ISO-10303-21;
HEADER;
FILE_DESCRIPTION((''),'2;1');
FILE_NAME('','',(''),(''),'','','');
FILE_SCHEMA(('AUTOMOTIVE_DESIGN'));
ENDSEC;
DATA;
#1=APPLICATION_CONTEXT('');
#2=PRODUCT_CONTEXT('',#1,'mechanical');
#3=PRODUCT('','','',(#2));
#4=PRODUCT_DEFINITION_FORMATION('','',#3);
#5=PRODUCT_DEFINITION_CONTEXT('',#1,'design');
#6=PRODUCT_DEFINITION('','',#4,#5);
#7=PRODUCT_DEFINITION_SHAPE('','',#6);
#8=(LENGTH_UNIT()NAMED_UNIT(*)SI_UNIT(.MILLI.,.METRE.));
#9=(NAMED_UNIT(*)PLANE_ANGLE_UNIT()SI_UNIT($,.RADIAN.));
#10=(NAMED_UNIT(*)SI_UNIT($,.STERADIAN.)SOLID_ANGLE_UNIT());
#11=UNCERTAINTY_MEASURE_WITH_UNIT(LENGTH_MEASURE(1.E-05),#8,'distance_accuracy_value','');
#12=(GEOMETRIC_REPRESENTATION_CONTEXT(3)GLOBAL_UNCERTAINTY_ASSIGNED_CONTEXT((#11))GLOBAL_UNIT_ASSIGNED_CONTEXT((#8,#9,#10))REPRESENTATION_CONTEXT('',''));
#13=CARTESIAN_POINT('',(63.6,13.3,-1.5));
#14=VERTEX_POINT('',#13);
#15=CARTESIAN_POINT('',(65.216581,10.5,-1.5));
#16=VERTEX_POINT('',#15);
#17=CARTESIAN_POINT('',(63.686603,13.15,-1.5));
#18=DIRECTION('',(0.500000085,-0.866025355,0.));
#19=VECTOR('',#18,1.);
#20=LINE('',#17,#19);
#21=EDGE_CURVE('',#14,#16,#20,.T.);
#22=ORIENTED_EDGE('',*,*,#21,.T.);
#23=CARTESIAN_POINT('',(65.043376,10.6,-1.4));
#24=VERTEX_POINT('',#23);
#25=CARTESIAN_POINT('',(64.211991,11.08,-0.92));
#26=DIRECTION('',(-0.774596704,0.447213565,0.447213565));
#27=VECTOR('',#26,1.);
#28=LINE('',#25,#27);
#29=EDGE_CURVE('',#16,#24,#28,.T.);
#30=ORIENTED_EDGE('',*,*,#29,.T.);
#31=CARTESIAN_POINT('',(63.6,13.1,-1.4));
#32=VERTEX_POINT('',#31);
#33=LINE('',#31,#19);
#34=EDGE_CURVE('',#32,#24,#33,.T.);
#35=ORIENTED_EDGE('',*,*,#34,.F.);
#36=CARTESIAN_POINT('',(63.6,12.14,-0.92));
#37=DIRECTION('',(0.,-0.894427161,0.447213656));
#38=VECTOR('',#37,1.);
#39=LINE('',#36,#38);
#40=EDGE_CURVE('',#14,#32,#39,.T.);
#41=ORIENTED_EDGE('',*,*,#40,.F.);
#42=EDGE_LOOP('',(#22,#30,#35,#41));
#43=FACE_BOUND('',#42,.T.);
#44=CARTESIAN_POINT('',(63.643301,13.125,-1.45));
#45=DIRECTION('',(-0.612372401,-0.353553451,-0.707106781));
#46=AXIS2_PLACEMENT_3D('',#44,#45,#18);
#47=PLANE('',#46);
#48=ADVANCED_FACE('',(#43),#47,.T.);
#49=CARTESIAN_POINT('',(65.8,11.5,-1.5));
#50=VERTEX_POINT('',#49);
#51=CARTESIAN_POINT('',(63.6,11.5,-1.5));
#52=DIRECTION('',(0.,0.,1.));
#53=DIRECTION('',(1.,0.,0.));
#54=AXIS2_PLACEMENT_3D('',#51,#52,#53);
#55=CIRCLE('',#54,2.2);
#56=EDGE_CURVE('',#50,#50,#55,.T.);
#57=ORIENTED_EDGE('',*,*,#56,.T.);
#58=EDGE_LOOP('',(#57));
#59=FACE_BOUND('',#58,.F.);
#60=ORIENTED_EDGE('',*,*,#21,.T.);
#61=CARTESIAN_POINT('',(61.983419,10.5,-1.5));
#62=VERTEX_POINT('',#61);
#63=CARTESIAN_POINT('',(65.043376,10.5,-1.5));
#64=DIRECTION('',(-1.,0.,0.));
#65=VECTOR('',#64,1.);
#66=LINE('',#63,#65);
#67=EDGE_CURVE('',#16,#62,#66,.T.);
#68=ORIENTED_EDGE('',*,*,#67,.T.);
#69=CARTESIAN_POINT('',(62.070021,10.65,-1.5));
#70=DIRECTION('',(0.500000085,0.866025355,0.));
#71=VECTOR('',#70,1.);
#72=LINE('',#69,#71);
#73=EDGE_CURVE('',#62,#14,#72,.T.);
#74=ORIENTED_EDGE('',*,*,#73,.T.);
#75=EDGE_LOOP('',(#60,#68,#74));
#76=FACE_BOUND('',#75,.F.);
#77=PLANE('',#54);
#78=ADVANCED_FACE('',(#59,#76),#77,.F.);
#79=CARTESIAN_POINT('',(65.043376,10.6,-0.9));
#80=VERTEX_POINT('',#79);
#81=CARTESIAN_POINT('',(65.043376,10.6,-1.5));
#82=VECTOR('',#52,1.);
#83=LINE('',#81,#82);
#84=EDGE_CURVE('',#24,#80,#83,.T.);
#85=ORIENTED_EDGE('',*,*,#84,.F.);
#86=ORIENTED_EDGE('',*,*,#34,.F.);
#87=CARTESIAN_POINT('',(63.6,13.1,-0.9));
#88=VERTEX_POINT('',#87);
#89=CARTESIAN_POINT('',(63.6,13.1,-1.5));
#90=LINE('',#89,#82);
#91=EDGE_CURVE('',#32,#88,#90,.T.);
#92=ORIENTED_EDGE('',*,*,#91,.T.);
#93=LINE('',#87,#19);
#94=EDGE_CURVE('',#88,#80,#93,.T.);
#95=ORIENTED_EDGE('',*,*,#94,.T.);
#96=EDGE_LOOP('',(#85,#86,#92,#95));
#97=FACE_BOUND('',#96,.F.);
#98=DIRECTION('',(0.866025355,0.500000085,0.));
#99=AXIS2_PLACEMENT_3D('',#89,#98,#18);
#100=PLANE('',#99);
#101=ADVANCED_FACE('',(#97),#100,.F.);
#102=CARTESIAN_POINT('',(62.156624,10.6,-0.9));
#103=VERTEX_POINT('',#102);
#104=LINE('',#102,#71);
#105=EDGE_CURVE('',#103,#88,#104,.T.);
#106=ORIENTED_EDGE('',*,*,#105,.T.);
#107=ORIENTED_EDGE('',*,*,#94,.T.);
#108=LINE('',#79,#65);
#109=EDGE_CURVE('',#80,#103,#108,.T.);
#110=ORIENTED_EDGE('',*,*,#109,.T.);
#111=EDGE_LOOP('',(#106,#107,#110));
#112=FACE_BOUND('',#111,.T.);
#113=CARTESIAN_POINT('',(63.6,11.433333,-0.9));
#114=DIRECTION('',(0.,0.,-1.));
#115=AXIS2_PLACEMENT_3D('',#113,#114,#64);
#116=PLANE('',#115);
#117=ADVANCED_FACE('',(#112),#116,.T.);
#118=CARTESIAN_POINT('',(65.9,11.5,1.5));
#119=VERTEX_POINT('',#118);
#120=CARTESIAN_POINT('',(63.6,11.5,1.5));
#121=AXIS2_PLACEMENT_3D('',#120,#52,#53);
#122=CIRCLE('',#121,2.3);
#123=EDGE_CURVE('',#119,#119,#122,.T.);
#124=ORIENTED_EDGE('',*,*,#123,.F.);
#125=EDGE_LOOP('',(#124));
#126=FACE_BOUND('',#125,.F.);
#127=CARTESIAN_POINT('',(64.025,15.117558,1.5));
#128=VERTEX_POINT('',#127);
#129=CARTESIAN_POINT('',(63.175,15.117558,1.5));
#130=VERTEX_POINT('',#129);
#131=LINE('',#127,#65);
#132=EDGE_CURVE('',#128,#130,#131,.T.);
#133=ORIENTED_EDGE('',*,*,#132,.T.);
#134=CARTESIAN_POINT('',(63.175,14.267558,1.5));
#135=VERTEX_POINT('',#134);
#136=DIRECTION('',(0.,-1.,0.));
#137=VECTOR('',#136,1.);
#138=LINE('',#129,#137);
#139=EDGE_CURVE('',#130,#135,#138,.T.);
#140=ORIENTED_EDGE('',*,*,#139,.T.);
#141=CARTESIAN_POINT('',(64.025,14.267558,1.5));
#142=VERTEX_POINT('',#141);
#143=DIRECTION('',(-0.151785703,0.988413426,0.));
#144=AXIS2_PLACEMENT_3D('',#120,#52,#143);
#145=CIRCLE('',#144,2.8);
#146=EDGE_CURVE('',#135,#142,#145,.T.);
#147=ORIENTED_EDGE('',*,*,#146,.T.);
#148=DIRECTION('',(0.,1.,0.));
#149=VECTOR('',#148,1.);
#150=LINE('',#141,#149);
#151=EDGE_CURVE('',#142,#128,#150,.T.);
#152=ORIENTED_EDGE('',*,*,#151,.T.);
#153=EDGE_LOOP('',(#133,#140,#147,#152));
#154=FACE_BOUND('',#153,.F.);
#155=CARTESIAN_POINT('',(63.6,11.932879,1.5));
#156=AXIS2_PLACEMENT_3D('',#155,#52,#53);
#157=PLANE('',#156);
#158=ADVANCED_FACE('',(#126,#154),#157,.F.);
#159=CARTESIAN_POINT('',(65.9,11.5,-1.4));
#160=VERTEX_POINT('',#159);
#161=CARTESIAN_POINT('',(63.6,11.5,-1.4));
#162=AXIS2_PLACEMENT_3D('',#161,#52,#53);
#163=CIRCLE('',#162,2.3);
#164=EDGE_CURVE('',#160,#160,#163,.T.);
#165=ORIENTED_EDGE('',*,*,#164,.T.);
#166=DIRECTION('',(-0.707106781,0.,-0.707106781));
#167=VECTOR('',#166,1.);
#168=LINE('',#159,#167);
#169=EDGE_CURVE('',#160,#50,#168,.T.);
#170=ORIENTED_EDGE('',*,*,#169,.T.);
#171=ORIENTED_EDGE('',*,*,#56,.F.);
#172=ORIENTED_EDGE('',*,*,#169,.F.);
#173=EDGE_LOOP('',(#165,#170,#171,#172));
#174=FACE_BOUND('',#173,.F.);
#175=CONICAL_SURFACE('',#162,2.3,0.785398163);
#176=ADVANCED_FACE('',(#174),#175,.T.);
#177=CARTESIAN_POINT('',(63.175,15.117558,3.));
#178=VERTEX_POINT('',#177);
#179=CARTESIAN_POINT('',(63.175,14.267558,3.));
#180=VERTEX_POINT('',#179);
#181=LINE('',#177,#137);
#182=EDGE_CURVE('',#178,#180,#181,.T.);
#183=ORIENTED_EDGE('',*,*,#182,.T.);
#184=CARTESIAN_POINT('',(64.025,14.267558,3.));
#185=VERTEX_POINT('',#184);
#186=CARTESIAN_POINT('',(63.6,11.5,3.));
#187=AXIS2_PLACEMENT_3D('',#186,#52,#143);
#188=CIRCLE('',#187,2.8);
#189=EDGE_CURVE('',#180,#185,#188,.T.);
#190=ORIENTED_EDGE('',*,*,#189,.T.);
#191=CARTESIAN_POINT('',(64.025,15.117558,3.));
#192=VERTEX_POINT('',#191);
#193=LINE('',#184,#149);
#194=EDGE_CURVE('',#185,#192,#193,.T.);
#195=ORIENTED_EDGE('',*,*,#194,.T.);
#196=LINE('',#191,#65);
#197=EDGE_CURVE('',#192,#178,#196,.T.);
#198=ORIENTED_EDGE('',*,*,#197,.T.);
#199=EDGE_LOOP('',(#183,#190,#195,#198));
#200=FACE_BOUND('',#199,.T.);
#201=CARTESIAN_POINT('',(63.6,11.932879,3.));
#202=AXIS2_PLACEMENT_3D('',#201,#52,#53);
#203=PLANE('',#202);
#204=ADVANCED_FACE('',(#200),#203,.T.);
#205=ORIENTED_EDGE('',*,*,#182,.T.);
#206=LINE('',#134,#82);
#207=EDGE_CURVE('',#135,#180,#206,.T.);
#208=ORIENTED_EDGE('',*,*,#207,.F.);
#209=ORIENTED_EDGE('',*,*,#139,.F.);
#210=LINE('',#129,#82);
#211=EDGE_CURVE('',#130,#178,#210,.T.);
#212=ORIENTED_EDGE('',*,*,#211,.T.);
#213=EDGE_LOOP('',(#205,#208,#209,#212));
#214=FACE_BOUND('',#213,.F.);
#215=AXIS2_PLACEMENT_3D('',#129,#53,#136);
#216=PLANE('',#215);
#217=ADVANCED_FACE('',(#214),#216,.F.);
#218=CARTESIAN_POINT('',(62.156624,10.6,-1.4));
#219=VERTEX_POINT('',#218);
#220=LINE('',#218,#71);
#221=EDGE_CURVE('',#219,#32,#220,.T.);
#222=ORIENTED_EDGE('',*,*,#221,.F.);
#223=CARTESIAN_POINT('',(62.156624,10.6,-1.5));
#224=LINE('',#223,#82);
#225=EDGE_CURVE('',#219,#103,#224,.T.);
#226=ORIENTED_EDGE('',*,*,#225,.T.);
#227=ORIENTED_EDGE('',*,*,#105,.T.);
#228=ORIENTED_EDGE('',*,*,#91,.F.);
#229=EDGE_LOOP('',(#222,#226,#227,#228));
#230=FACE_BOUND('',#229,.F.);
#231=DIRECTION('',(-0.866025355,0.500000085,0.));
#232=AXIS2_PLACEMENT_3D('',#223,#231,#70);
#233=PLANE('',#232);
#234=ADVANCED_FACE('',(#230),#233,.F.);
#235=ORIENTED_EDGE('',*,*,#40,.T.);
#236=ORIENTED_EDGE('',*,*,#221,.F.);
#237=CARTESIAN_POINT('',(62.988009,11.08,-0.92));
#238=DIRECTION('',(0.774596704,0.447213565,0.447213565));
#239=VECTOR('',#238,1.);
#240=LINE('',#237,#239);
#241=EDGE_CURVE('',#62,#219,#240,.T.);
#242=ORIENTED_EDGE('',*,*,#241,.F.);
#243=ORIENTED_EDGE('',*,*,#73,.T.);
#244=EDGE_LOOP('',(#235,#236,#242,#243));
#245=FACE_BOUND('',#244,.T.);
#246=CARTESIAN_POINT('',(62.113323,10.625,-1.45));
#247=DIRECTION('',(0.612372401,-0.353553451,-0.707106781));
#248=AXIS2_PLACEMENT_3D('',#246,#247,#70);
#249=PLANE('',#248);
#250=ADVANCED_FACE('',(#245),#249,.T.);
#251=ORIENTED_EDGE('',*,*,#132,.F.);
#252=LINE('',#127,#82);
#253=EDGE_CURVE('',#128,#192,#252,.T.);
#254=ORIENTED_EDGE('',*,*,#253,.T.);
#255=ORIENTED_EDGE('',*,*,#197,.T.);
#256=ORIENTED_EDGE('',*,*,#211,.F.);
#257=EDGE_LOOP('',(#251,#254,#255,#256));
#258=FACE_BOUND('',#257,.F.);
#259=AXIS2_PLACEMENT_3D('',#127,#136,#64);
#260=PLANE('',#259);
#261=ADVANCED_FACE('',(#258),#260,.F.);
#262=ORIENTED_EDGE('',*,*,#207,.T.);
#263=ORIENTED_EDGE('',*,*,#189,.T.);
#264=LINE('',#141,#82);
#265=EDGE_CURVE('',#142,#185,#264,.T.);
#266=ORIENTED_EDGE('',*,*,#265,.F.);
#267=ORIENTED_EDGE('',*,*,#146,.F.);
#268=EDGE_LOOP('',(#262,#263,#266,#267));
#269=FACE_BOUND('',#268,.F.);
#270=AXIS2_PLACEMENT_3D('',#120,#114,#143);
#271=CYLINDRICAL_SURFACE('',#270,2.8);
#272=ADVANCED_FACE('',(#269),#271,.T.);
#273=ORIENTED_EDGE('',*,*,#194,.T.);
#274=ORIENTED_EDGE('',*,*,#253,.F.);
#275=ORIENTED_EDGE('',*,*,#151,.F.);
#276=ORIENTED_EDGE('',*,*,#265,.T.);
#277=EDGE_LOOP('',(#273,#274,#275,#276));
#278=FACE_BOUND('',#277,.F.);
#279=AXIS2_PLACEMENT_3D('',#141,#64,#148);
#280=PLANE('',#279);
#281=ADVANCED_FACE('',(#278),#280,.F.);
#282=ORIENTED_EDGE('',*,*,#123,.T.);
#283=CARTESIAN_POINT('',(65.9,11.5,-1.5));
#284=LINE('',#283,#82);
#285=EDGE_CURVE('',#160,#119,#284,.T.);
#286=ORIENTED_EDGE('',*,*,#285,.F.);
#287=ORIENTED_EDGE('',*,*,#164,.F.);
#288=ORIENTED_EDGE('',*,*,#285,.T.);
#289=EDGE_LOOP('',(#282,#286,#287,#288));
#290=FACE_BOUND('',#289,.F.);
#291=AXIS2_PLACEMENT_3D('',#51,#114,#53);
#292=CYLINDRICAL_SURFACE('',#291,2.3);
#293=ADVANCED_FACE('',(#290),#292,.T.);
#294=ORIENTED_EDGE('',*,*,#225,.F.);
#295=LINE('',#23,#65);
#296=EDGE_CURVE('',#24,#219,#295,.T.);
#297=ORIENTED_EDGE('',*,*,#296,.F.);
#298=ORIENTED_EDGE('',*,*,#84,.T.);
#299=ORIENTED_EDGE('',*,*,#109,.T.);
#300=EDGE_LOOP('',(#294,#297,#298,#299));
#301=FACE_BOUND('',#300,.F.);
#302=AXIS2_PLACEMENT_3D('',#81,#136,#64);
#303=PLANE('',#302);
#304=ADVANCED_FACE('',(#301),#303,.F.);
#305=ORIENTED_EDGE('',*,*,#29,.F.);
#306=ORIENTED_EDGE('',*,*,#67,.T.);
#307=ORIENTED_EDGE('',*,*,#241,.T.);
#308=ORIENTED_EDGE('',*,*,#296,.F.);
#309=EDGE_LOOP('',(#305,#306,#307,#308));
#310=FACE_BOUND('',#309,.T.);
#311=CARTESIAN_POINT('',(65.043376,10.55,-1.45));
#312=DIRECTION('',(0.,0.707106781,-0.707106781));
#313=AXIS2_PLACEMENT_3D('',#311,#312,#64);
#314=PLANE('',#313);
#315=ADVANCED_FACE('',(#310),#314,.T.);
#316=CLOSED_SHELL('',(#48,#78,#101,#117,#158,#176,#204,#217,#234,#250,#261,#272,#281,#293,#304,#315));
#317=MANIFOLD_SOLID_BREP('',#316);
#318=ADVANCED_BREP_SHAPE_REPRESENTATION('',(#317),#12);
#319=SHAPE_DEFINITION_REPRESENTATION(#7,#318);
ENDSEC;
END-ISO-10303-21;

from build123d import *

# Parameters (mm, degrees)
SKETCH043_R     = 2.3
PAD030_DEPTH    = 3
PAD031_DEPTH    = 1.5
POCKET006_DEPTH = 0.6
CHAMFER_SIZE    = 0.1


with BuildPart() as part:
    # Sketch043 → Pad030 (new body)
    with BuildSketch(Plane.XY):
        Circle(SKETCH043_R)
    extrude(amount=PAD030_DEPTH)

    # Sketch044 (on Face3 of Pad030) → Pad031 (join)
    with BuildSketch(Plane.XY.offset(3)):
        with BuildLine():
            Line((0.425, 2.767558), (0.425, 3.617558))
            Line((0.425, 3.617558), (-0.425, 3.617558))
            Line((-0.425, 3.617558), (-0.425, 2.767558))
            ThreePointArc((-0.425, 2.767558), (0, -2.8), (0.425, 2.767558))
        make_face()
    extrude(amount=PAD031_DEPTH)

    # Sketch045 → Pocket006 (cut)
    with BuildSketch(Plane.XY):
        Polygon((-1.443376, -0.9), (0, 1.6), (1.443376, -0.9), align=None)
    extrude(amount=POCKET006_DEPTH, mode=Mode.SUBTRACT)

    # Chamfer
    chamfer_edges = [part.edges().sort_by_distance(p)[0] for p in [
        (-0.721688, 0.35, 0),
        (0, -0.9, 0),
        (0.721688, 0.35, 0),
        (-2.3, 0, 0),
    ]]
    chamfer(chamfer_edges, length=CHAMFER_SIZE)


with BuildPart() as part_1:
    # Body012 placement: moved
    add(part.part.moved(Location((63.6, 11.5, -1.5))))


solid = part_1.part
